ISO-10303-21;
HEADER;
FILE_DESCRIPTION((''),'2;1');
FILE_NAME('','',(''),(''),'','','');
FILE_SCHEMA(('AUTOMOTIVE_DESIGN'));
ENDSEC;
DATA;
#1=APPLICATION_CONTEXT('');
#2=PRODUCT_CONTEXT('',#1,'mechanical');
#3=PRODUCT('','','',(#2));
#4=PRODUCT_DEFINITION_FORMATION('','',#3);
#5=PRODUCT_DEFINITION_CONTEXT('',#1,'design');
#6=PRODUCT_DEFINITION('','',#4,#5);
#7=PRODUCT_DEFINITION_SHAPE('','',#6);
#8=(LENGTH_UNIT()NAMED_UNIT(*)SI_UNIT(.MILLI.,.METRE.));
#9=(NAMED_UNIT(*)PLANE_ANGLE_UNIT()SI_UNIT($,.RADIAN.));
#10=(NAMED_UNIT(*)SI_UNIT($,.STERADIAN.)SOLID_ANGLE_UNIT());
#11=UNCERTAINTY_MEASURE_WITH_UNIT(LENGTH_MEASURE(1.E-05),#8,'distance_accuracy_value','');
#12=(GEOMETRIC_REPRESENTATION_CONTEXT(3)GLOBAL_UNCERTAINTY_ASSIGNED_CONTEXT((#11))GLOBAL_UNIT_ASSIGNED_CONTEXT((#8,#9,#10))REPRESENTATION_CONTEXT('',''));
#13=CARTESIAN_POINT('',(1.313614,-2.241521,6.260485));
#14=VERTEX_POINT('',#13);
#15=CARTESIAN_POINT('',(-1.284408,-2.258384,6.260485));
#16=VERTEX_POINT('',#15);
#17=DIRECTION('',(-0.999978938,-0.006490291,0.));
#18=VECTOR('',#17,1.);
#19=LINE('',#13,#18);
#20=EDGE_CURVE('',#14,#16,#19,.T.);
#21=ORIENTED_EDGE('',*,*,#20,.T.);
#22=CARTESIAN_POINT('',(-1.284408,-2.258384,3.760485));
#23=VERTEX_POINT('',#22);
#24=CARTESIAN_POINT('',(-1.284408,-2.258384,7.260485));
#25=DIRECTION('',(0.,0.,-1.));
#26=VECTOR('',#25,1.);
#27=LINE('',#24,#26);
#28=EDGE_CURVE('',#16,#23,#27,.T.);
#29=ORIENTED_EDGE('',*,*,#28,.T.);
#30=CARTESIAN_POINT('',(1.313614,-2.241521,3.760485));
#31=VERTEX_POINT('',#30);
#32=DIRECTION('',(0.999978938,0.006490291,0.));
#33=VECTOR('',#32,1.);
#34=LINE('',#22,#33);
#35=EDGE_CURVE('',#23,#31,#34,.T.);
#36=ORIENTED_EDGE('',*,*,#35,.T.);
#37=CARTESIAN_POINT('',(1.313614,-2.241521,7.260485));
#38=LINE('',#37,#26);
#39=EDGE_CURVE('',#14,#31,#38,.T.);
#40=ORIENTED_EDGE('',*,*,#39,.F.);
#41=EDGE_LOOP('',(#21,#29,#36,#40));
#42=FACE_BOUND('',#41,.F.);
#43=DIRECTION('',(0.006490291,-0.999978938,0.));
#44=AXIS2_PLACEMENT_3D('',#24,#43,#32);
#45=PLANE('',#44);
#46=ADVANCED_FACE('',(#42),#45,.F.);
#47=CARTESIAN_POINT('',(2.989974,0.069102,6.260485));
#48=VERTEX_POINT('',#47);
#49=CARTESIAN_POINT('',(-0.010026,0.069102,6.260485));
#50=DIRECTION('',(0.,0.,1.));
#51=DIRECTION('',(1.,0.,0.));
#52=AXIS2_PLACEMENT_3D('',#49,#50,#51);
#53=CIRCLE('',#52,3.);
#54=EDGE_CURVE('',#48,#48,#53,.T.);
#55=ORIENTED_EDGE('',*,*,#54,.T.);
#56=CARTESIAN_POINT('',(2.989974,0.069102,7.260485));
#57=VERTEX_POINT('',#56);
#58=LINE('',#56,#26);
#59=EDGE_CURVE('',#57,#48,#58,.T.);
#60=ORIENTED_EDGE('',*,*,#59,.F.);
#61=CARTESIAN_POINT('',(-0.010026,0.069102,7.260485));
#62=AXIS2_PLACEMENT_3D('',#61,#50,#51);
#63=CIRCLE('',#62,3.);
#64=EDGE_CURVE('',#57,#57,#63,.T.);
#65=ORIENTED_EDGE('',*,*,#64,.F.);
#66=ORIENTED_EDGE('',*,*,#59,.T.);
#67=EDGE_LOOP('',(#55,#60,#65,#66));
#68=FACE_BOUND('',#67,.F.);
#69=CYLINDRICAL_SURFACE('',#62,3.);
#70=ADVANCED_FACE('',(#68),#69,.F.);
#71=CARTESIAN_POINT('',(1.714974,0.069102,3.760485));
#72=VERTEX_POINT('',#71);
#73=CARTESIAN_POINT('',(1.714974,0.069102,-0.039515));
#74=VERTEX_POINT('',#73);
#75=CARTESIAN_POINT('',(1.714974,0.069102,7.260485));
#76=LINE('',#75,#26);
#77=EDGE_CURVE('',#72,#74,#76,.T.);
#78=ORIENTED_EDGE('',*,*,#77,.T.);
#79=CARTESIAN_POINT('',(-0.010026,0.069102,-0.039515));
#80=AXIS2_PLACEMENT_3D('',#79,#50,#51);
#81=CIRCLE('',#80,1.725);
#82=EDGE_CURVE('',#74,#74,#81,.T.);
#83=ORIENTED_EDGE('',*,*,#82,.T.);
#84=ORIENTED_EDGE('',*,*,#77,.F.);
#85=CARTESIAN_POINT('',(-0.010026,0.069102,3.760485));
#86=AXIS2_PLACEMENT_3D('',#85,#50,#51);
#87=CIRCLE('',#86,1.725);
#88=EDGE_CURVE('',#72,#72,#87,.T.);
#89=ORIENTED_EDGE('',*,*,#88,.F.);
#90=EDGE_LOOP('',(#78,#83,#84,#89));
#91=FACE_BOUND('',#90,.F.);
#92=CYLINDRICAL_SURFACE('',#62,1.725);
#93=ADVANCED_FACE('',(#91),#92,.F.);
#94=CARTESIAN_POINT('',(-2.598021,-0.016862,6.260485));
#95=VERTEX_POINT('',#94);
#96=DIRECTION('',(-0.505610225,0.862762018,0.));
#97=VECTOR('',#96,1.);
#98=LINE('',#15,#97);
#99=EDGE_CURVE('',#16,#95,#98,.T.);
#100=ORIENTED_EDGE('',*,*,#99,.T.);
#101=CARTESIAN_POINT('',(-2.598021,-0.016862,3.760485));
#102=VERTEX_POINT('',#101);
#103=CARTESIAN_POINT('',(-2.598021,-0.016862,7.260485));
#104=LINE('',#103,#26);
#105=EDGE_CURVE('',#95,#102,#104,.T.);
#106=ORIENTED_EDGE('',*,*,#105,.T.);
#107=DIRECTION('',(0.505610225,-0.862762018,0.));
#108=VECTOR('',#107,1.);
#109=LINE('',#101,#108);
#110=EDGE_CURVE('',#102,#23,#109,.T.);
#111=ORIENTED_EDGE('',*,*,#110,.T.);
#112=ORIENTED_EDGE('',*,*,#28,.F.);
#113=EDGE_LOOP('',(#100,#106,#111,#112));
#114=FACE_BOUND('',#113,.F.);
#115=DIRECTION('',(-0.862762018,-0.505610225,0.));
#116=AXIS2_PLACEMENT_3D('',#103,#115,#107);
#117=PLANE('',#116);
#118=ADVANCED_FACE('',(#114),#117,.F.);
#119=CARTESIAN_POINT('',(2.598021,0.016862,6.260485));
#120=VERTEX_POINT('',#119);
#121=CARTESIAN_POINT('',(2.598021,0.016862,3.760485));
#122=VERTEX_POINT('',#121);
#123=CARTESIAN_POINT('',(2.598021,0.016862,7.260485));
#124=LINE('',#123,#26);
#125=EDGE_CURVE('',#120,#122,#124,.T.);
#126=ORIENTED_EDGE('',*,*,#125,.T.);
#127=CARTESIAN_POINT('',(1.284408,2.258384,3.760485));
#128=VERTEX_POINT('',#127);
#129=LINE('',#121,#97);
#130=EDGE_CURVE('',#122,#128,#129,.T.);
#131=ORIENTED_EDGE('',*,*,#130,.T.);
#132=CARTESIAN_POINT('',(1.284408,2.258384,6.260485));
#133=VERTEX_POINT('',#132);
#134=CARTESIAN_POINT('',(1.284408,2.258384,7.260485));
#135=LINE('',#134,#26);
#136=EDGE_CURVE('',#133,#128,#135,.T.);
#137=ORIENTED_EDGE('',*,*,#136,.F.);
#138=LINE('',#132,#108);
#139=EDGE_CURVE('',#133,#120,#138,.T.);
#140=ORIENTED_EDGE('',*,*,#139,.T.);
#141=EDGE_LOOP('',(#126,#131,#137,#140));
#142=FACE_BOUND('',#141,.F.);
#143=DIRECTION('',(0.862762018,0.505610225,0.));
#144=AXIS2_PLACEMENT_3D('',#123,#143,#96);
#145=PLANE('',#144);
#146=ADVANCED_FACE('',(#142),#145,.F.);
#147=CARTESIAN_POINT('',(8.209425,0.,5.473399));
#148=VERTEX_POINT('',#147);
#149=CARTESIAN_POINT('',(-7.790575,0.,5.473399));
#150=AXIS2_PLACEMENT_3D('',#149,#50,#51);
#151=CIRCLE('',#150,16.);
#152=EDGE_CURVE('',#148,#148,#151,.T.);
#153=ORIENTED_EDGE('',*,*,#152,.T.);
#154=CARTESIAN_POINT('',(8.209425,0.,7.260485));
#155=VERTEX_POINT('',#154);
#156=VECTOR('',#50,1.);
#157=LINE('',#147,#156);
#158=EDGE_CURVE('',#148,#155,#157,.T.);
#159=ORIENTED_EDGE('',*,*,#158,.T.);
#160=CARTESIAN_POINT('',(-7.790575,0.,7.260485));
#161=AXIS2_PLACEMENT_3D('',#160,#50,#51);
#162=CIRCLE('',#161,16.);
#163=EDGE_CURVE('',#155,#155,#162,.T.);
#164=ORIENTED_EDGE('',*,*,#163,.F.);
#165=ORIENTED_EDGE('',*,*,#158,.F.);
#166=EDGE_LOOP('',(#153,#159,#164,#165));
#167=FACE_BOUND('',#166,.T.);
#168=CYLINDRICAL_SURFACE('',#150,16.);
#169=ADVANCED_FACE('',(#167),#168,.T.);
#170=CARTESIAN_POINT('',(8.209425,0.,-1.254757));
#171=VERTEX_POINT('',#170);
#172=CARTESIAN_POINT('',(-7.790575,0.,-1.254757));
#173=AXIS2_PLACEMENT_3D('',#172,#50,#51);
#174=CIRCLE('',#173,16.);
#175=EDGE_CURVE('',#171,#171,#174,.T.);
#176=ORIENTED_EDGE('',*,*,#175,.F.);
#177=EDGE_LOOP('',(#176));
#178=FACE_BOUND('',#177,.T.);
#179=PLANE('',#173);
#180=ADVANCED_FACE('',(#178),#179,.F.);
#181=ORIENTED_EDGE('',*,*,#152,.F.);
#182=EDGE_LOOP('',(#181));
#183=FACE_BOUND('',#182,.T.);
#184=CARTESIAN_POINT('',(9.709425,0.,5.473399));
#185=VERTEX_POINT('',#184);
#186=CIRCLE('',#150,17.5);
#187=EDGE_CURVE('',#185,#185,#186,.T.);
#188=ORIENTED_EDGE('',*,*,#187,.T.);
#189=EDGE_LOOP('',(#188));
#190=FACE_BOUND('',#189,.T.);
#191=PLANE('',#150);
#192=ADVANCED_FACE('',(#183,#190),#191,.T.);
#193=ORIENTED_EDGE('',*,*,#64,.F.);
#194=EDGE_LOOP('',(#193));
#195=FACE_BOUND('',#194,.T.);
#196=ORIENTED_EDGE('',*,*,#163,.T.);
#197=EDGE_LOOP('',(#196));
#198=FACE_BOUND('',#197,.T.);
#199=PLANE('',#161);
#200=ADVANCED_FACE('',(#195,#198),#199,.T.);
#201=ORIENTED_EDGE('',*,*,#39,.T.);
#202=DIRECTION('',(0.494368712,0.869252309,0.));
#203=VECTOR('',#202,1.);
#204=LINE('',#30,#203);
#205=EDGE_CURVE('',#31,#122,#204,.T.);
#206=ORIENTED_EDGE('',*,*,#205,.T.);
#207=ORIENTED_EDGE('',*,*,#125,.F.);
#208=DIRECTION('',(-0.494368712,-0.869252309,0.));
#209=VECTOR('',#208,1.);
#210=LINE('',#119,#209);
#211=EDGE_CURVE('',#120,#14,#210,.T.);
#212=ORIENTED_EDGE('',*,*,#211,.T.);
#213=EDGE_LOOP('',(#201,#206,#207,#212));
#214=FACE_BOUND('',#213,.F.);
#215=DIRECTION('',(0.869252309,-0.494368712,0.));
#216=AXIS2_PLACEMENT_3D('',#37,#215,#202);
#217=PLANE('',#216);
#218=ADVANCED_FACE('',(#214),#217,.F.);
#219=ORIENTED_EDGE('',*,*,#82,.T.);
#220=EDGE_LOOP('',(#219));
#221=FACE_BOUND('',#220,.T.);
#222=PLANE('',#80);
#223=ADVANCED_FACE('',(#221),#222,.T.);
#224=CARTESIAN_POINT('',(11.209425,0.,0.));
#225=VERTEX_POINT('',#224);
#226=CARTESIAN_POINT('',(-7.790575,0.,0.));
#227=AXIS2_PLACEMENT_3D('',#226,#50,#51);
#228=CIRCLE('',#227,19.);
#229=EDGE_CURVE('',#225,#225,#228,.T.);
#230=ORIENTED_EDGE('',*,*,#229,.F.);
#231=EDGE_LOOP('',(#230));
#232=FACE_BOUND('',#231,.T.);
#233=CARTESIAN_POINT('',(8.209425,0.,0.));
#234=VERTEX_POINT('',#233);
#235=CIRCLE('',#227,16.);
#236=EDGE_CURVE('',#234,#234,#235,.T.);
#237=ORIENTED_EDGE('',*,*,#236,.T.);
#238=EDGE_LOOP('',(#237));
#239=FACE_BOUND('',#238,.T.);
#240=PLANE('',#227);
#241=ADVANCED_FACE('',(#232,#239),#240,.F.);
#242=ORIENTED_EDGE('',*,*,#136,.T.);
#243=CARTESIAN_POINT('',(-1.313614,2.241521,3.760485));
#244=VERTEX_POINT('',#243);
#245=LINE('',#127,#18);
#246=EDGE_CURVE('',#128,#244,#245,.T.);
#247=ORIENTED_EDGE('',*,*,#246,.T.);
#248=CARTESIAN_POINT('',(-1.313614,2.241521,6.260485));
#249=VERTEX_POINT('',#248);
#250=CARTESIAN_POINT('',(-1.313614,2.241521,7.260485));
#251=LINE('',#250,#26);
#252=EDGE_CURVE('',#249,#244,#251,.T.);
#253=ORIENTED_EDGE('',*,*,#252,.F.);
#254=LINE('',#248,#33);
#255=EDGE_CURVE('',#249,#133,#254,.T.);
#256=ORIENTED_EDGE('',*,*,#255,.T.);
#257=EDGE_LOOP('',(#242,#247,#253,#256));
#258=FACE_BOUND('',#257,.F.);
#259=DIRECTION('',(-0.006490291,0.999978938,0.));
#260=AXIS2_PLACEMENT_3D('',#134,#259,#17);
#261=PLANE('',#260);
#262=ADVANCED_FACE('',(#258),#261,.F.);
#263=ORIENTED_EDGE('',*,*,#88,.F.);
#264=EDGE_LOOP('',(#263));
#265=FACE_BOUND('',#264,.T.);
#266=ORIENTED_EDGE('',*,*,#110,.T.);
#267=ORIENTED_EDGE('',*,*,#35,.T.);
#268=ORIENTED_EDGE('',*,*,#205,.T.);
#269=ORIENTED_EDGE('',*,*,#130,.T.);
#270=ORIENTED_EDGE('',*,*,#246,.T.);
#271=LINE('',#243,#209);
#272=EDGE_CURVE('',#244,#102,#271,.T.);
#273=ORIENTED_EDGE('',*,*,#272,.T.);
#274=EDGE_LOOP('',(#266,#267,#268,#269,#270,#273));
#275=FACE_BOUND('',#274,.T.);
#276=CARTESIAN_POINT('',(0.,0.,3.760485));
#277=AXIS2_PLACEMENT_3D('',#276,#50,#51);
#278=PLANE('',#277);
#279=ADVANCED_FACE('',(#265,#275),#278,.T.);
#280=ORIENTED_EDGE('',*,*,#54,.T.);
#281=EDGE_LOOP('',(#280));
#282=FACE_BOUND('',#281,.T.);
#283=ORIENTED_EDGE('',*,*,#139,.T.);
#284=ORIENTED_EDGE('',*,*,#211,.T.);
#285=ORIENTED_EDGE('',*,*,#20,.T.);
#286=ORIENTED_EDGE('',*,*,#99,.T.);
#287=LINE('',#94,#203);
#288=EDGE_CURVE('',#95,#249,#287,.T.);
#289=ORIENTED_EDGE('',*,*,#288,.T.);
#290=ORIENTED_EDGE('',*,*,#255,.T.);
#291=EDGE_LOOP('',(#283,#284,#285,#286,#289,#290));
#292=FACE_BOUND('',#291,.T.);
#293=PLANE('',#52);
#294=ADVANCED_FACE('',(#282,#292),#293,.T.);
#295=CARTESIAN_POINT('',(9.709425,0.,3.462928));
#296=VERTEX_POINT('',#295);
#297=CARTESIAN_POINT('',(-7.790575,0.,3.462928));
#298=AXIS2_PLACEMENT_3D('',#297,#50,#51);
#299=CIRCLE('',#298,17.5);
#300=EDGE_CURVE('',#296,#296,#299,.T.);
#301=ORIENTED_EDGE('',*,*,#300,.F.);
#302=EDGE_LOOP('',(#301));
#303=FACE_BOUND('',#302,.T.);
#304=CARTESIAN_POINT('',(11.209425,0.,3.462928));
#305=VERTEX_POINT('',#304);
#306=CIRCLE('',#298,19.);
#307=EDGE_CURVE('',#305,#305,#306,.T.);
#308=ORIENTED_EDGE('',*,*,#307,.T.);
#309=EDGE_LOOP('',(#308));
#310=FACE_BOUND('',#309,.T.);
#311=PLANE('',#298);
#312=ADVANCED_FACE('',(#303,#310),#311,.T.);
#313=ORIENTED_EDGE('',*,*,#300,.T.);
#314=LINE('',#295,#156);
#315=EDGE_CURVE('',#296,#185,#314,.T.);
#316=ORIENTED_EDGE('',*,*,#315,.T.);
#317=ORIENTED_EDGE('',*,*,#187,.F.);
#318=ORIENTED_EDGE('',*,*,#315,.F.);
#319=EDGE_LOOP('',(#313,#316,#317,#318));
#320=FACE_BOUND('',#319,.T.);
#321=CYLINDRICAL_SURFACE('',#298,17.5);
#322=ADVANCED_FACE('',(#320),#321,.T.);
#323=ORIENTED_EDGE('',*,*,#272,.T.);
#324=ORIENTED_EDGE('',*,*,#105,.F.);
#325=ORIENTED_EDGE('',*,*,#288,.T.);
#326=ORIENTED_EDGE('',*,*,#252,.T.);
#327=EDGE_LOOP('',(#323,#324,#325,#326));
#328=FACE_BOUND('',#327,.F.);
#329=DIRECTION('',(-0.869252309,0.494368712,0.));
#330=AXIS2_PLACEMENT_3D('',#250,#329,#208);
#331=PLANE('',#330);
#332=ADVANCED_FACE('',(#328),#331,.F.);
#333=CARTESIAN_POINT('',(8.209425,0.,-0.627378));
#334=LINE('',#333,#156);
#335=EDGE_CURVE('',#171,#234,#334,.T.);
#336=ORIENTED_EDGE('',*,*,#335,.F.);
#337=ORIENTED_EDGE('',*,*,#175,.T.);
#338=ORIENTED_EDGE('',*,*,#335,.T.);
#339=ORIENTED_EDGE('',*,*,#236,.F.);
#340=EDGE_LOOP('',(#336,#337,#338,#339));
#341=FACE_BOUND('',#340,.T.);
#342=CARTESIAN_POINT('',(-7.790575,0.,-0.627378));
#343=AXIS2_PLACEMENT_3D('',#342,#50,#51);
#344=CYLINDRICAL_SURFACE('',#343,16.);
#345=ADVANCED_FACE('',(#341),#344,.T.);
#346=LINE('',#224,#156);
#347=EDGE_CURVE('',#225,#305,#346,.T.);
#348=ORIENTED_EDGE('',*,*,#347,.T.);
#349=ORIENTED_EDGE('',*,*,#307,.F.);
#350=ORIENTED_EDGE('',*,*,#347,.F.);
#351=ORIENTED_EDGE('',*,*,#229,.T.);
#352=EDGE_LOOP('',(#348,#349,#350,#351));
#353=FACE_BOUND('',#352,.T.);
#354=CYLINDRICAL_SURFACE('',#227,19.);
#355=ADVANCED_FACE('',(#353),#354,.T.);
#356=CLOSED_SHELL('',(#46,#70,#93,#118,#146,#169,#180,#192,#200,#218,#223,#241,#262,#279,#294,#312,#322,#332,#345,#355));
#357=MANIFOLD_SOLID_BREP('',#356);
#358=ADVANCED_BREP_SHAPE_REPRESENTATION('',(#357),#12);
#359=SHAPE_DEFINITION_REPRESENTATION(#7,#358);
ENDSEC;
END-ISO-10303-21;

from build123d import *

# Parameters (mm, degrees)
F0_W     = 16
F0_H     = 1.2547565785
F3_R     = 1.725
F4_DEPTH = 7.3
F5_DEPTH = 3.5
F3_R_2   = 3
F6_DEPTH = 1


with BuildPart() as f1:
    # F0 (on Front) → F1 (revolve)
    with BuildSketch(Plane.XZ):
        Polygon((-7.7905750729, 7.2604851217), (-7.7905750729, 0), (8.2094249271, 0), (11.2094249271, 0), (11.2094249271, 3.4629283439), (9.7094249271, 3.4629283439), (9.7094249271, 5.4733994966), (8.2094249271, 5.4733994966), (8.2094249271, 7.2604851217), align=None)
        with Locations((0.2094249271, -0.6273782892)):
            Rectangle(F0_W, F0_H)
    revolve(axis=Axis((-7.7905750729, 0, 2.7390308408), (0, 0, 1)))

    # F3 (on offset) → F4 (cut)
    with BuildSketch(Plane.XY.offset(7.2604851217)):
        with Locations((-0.0100255911, 0.0691023806)):
            Circle(F3_R)
    extrude(amount=-F4_DEPTH, mode=Mode.SUBTRACT)

    # F3 (on offset) → F5 (cut)
    with BuildSketch(Plane.XY.offset(7.2604851217)):
        Polygon((-1.3136138991, 2.2415214753), (-2.5980214903, -0.0168622697), (-1.2844075912, -2.258383745), (1.3136138991, -2.2415214753), (2.5980214903, 0.0168622697), (1.2844075912, 2.258383745), align=None)
        with Locations((-0.0100255911, 0.0691023806)):
            Circle(F3_R, mode=Mode.SUBTRACT)
    extrude(amount=-F5_DEPTH, mode=Mode.SUBTRACT)

    # F3 (on offset) → F6 (cut)
    with BuildSketch(Plane.XY.offset(7.2604851217)):
        with Locations((-0.0100255911, 0.0691023806)):
            Circle(F3_R_2)
        Polygon((-1.2844075912, -2.258383745), (-2.5980214903, -0.0168622697), (-1.3136138991, 2.2415214753), (1.2844075912, 2.258383745), (2.5980214903, 0.0168622697), (1.3136138991, -2.2415214753), align=None, mode=Mode.SUBTRACT)
    extrude(amount=-F6_DEPTH, mode=Mode.SUBTRACT)


solid = f1.part
